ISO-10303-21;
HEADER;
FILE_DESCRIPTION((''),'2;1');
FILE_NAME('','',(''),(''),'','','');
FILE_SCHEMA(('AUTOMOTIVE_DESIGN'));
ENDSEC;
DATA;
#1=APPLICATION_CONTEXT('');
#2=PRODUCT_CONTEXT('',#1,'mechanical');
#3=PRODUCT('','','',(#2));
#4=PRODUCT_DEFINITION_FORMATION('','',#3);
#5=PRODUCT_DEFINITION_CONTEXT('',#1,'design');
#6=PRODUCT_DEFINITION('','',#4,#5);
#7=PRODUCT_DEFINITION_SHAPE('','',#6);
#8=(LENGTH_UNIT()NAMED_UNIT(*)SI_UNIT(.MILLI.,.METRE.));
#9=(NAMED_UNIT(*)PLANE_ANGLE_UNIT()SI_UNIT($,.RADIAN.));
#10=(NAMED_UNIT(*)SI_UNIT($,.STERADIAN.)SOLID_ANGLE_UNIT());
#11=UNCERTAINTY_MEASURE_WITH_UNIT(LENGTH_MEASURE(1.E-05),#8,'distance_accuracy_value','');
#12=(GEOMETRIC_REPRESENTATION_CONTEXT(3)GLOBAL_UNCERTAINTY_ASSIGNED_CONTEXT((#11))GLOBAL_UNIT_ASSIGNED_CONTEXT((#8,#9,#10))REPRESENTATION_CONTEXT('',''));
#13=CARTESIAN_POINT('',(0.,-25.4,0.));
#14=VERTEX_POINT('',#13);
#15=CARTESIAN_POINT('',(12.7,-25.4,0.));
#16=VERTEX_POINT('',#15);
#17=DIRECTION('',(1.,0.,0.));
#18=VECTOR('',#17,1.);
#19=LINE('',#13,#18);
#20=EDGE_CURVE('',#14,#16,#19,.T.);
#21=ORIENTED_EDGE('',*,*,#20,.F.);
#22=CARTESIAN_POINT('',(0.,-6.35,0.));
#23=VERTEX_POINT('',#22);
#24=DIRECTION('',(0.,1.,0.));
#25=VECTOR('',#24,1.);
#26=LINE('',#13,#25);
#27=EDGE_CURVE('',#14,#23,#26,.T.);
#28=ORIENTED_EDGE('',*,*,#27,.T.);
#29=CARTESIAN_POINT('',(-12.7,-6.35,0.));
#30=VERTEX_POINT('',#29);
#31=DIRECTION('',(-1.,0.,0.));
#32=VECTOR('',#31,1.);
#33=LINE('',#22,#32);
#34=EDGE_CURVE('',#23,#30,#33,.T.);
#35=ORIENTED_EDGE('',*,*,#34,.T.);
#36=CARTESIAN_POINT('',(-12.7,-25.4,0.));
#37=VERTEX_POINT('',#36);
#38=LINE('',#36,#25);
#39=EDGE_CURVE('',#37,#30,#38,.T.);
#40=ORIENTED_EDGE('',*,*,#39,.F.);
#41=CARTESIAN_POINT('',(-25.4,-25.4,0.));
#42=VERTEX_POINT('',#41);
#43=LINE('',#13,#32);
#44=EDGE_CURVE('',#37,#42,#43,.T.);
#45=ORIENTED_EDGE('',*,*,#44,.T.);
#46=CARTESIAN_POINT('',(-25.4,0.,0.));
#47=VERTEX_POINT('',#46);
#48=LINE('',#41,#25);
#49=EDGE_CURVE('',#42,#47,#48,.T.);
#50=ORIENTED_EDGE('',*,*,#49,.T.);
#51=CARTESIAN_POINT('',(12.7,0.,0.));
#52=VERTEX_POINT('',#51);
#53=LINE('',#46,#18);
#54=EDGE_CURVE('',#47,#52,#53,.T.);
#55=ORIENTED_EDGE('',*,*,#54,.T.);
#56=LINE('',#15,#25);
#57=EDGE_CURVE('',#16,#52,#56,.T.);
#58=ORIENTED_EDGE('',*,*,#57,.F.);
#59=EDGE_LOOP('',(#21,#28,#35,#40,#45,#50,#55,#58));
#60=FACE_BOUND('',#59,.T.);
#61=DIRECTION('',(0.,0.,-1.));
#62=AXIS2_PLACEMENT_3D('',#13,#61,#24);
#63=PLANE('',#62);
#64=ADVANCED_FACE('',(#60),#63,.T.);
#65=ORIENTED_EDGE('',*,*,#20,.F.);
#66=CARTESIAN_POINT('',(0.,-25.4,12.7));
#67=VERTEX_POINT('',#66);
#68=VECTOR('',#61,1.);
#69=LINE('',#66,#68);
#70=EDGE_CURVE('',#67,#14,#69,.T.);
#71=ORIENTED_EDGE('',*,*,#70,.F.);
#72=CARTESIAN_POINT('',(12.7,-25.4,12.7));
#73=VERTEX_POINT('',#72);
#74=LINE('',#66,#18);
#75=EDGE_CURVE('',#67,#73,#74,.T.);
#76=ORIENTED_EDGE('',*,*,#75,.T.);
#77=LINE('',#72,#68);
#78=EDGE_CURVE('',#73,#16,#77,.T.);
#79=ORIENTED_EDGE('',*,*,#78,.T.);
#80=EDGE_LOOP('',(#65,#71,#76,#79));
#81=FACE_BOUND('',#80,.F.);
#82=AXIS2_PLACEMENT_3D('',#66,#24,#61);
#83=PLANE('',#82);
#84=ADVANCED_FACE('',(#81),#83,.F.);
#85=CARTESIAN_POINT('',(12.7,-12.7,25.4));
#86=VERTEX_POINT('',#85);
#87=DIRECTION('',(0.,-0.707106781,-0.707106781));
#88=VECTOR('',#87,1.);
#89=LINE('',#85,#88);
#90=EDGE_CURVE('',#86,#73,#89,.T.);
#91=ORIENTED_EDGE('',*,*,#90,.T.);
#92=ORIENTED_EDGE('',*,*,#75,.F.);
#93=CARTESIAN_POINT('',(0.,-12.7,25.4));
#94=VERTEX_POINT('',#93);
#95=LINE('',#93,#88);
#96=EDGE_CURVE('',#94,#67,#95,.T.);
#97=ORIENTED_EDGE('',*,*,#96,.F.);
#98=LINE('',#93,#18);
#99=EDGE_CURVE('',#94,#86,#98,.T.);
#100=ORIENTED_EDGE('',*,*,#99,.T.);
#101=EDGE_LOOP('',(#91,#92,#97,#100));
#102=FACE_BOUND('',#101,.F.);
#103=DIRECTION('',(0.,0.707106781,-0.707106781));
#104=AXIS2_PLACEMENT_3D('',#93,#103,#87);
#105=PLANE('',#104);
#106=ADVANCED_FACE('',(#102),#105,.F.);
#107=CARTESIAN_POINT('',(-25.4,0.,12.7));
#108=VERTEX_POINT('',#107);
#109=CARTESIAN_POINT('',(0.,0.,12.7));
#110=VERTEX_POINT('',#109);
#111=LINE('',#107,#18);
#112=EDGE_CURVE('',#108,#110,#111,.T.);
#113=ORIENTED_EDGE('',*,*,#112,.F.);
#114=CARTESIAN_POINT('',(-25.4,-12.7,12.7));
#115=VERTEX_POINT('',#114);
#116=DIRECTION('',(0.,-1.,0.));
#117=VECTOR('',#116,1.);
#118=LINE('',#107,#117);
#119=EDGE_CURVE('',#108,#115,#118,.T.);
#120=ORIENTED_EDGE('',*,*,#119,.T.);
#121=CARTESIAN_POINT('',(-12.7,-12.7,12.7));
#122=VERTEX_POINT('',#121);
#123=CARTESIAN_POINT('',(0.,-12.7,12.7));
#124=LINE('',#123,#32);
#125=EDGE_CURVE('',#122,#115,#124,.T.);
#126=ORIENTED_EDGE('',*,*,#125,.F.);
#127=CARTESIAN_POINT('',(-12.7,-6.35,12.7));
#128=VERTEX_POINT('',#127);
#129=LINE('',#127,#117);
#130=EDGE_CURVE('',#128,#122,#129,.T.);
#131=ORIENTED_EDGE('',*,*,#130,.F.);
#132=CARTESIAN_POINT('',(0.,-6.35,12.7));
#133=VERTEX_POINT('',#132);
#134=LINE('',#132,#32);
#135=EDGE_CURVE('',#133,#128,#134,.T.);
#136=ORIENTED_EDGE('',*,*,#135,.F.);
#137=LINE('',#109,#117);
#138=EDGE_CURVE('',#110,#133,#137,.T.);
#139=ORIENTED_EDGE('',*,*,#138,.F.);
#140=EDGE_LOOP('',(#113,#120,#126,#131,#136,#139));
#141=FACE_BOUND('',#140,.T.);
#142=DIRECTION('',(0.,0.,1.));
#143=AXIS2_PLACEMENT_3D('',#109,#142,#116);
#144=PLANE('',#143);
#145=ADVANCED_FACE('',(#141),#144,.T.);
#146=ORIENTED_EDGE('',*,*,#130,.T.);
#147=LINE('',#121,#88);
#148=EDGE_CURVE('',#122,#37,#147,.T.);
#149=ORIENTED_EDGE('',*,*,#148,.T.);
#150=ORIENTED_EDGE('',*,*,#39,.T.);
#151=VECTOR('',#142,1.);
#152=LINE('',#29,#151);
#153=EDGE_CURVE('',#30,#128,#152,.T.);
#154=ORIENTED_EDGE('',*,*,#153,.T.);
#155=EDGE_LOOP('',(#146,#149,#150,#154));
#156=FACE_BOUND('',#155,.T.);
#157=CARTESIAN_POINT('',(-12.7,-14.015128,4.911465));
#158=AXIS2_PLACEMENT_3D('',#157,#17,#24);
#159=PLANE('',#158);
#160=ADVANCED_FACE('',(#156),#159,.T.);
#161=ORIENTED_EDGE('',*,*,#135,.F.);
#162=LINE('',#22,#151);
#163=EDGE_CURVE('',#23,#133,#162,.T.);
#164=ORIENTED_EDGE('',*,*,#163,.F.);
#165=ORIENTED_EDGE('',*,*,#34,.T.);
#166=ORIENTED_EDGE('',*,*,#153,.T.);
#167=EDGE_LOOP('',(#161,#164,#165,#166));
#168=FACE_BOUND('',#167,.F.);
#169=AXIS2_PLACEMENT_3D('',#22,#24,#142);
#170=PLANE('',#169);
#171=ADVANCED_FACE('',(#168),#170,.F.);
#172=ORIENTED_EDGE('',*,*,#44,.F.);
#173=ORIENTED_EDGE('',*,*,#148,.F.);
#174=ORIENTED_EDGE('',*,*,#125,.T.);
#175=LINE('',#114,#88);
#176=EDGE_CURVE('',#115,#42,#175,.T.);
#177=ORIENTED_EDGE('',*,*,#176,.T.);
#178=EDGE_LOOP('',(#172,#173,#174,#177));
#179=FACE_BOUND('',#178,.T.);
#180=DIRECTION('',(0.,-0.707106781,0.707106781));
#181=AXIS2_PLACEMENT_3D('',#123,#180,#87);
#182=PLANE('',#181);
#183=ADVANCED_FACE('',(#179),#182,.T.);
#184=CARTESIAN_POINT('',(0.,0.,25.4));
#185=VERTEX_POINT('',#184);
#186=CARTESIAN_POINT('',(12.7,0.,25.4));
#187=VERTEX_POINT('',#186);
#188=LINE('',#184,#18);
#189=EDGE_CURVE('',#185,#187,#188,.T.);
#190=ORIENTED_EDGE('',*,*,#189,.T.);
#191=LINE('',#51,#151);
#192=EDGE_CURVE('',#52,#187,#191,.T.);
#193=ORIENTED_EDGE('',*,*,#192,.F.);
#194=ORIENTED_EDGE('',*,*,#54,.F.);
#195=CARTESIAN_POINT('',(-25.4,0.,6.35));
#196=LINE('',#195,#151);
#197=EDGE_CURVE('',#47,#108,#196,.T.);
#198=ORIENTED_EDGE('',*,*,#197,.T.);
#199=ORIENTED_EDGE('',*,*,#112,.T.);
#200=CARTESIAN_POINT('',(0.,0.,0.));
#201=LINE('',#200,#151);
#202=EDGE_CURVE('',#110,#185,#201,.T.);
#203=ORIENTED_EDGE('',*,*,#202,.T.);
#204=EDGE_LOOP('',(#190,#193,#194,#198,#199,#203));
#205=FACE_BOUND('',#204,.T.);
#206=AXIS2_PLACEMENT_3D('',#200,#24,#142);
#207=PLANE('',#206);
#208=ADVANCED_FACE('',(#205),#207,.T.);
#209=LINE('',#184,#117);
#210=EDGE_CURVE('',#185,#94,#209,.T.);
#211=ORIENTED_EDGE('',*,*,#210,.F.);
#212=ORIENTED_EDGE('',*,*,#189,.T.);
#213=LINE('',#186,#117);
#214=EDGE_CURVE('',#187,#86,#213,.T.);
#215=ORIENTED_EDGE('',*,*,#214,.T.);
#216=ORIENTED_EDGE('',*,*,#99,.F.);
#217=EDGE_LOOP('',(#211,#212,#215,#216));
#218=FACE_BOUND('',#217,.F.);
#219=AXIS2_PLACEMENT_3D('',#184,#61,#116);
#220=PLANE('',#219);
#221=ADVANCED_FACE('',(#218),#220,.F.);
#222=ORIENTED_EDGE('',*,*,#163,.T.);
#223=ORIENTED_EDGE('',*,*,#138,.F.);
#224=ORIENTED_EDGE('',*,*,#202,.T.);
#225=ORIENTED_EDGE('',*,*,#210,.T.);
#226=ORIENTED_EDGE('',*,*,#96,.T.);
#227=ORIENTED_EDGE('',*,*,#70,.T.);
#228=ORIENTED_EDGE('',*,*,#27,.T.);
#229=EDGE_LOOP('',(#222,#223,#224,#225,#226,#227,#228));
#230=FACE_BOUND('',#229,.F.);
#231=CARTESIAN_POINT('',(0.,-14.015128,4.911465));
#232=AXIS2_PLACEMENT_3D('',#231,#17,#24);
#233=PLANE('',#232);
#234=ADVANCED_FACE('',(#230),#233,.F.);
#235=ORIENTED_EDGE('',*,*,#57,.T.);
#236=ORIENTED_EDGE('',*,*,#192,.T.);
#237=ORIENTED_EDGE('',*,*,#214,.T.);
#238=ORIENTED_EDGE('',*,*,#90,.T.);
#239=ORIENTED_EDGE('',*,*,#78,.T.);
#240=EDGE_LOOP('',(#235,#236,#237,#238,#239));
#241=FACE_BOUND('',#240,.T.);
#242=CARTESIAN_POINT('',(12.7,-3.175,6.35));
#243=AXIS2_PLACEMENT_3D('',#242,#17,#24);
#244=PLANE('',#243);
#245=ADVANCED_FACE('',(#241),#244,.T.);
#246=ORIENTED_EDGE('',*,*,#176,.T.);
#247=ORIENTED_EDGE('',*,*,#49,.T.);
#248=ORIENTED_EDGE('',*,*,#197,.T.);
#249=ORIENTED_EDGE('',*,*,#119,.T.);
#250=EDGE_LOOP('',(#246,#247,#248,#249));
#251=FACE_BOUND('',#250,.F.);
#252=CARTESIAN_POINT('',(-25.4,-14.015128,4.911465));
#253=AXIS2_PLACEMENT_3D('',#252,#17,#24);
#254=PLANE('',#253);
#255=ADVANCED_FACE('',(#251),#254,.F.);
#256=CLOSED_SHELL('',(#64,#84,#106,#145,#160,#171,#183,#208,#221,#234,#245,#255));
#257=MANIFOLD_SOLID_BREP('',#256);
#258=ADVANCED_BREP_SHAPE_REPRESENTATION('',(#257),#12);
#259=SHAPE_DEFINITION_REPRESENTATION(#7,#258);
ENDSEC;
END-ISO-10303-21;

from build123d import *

# Parameters (mm, degrees)
F0_W          = 6.35
F0_H          = 12.7
F1_DEPTH      = 12.7
F2_DEPTH      = 25.4
F2_DEPTH_BACK = 12.7
F3_DEPTH      = 12.7


with BuildPart() as f1:
    # F0 (on Right) → F1 (new body)
    with BuildSketch(Plane.YZ):
        with Locations((-3.175, 6.35)):
            Rectangle(F0_W, F0_H)
        Polygon((-25.4, 0), (-6.35, 0), (-6.35, 12.7), (-12.7, 12.7), align=None)
        Polygon((-6.35, 12.7), (0, 12.7), (0, 25.4), (-12.7, 25.4), (-25.4, 12.7), (-25.4, 0), (-12.7, 12.7), align=None)
    extrude(amount=F1_DEPTH)

    # F0 (on Right) → F2 (join, two sides)
    with BuildSketch(Plane.YZ) as f2_sk:
        Polygon((-25.4, 0), (-6.35, 0), (-6.35, 12.7), (-12.7, 12.7), align=None)
        with Locations((-3.175, 6.35)):
            Rectangle(F0_W, F0_H)
    extrude(amount=-F2_DEPTH)
    extrude(f2_sk.sketch, amount=-F2_DEPTH_BACK)

    # F0 (on Right) → F3 (cut)
    with BuildSketch(Plane.YZ):
        Polygon((-25.4, 0), (-6.35, 0), (-6.35, 12.7), (-12.7, 12.7), align=None)
    extrude(amount=-F3_DEPTH, mode=Mode.SUBTRACT)


solid = f1.part
